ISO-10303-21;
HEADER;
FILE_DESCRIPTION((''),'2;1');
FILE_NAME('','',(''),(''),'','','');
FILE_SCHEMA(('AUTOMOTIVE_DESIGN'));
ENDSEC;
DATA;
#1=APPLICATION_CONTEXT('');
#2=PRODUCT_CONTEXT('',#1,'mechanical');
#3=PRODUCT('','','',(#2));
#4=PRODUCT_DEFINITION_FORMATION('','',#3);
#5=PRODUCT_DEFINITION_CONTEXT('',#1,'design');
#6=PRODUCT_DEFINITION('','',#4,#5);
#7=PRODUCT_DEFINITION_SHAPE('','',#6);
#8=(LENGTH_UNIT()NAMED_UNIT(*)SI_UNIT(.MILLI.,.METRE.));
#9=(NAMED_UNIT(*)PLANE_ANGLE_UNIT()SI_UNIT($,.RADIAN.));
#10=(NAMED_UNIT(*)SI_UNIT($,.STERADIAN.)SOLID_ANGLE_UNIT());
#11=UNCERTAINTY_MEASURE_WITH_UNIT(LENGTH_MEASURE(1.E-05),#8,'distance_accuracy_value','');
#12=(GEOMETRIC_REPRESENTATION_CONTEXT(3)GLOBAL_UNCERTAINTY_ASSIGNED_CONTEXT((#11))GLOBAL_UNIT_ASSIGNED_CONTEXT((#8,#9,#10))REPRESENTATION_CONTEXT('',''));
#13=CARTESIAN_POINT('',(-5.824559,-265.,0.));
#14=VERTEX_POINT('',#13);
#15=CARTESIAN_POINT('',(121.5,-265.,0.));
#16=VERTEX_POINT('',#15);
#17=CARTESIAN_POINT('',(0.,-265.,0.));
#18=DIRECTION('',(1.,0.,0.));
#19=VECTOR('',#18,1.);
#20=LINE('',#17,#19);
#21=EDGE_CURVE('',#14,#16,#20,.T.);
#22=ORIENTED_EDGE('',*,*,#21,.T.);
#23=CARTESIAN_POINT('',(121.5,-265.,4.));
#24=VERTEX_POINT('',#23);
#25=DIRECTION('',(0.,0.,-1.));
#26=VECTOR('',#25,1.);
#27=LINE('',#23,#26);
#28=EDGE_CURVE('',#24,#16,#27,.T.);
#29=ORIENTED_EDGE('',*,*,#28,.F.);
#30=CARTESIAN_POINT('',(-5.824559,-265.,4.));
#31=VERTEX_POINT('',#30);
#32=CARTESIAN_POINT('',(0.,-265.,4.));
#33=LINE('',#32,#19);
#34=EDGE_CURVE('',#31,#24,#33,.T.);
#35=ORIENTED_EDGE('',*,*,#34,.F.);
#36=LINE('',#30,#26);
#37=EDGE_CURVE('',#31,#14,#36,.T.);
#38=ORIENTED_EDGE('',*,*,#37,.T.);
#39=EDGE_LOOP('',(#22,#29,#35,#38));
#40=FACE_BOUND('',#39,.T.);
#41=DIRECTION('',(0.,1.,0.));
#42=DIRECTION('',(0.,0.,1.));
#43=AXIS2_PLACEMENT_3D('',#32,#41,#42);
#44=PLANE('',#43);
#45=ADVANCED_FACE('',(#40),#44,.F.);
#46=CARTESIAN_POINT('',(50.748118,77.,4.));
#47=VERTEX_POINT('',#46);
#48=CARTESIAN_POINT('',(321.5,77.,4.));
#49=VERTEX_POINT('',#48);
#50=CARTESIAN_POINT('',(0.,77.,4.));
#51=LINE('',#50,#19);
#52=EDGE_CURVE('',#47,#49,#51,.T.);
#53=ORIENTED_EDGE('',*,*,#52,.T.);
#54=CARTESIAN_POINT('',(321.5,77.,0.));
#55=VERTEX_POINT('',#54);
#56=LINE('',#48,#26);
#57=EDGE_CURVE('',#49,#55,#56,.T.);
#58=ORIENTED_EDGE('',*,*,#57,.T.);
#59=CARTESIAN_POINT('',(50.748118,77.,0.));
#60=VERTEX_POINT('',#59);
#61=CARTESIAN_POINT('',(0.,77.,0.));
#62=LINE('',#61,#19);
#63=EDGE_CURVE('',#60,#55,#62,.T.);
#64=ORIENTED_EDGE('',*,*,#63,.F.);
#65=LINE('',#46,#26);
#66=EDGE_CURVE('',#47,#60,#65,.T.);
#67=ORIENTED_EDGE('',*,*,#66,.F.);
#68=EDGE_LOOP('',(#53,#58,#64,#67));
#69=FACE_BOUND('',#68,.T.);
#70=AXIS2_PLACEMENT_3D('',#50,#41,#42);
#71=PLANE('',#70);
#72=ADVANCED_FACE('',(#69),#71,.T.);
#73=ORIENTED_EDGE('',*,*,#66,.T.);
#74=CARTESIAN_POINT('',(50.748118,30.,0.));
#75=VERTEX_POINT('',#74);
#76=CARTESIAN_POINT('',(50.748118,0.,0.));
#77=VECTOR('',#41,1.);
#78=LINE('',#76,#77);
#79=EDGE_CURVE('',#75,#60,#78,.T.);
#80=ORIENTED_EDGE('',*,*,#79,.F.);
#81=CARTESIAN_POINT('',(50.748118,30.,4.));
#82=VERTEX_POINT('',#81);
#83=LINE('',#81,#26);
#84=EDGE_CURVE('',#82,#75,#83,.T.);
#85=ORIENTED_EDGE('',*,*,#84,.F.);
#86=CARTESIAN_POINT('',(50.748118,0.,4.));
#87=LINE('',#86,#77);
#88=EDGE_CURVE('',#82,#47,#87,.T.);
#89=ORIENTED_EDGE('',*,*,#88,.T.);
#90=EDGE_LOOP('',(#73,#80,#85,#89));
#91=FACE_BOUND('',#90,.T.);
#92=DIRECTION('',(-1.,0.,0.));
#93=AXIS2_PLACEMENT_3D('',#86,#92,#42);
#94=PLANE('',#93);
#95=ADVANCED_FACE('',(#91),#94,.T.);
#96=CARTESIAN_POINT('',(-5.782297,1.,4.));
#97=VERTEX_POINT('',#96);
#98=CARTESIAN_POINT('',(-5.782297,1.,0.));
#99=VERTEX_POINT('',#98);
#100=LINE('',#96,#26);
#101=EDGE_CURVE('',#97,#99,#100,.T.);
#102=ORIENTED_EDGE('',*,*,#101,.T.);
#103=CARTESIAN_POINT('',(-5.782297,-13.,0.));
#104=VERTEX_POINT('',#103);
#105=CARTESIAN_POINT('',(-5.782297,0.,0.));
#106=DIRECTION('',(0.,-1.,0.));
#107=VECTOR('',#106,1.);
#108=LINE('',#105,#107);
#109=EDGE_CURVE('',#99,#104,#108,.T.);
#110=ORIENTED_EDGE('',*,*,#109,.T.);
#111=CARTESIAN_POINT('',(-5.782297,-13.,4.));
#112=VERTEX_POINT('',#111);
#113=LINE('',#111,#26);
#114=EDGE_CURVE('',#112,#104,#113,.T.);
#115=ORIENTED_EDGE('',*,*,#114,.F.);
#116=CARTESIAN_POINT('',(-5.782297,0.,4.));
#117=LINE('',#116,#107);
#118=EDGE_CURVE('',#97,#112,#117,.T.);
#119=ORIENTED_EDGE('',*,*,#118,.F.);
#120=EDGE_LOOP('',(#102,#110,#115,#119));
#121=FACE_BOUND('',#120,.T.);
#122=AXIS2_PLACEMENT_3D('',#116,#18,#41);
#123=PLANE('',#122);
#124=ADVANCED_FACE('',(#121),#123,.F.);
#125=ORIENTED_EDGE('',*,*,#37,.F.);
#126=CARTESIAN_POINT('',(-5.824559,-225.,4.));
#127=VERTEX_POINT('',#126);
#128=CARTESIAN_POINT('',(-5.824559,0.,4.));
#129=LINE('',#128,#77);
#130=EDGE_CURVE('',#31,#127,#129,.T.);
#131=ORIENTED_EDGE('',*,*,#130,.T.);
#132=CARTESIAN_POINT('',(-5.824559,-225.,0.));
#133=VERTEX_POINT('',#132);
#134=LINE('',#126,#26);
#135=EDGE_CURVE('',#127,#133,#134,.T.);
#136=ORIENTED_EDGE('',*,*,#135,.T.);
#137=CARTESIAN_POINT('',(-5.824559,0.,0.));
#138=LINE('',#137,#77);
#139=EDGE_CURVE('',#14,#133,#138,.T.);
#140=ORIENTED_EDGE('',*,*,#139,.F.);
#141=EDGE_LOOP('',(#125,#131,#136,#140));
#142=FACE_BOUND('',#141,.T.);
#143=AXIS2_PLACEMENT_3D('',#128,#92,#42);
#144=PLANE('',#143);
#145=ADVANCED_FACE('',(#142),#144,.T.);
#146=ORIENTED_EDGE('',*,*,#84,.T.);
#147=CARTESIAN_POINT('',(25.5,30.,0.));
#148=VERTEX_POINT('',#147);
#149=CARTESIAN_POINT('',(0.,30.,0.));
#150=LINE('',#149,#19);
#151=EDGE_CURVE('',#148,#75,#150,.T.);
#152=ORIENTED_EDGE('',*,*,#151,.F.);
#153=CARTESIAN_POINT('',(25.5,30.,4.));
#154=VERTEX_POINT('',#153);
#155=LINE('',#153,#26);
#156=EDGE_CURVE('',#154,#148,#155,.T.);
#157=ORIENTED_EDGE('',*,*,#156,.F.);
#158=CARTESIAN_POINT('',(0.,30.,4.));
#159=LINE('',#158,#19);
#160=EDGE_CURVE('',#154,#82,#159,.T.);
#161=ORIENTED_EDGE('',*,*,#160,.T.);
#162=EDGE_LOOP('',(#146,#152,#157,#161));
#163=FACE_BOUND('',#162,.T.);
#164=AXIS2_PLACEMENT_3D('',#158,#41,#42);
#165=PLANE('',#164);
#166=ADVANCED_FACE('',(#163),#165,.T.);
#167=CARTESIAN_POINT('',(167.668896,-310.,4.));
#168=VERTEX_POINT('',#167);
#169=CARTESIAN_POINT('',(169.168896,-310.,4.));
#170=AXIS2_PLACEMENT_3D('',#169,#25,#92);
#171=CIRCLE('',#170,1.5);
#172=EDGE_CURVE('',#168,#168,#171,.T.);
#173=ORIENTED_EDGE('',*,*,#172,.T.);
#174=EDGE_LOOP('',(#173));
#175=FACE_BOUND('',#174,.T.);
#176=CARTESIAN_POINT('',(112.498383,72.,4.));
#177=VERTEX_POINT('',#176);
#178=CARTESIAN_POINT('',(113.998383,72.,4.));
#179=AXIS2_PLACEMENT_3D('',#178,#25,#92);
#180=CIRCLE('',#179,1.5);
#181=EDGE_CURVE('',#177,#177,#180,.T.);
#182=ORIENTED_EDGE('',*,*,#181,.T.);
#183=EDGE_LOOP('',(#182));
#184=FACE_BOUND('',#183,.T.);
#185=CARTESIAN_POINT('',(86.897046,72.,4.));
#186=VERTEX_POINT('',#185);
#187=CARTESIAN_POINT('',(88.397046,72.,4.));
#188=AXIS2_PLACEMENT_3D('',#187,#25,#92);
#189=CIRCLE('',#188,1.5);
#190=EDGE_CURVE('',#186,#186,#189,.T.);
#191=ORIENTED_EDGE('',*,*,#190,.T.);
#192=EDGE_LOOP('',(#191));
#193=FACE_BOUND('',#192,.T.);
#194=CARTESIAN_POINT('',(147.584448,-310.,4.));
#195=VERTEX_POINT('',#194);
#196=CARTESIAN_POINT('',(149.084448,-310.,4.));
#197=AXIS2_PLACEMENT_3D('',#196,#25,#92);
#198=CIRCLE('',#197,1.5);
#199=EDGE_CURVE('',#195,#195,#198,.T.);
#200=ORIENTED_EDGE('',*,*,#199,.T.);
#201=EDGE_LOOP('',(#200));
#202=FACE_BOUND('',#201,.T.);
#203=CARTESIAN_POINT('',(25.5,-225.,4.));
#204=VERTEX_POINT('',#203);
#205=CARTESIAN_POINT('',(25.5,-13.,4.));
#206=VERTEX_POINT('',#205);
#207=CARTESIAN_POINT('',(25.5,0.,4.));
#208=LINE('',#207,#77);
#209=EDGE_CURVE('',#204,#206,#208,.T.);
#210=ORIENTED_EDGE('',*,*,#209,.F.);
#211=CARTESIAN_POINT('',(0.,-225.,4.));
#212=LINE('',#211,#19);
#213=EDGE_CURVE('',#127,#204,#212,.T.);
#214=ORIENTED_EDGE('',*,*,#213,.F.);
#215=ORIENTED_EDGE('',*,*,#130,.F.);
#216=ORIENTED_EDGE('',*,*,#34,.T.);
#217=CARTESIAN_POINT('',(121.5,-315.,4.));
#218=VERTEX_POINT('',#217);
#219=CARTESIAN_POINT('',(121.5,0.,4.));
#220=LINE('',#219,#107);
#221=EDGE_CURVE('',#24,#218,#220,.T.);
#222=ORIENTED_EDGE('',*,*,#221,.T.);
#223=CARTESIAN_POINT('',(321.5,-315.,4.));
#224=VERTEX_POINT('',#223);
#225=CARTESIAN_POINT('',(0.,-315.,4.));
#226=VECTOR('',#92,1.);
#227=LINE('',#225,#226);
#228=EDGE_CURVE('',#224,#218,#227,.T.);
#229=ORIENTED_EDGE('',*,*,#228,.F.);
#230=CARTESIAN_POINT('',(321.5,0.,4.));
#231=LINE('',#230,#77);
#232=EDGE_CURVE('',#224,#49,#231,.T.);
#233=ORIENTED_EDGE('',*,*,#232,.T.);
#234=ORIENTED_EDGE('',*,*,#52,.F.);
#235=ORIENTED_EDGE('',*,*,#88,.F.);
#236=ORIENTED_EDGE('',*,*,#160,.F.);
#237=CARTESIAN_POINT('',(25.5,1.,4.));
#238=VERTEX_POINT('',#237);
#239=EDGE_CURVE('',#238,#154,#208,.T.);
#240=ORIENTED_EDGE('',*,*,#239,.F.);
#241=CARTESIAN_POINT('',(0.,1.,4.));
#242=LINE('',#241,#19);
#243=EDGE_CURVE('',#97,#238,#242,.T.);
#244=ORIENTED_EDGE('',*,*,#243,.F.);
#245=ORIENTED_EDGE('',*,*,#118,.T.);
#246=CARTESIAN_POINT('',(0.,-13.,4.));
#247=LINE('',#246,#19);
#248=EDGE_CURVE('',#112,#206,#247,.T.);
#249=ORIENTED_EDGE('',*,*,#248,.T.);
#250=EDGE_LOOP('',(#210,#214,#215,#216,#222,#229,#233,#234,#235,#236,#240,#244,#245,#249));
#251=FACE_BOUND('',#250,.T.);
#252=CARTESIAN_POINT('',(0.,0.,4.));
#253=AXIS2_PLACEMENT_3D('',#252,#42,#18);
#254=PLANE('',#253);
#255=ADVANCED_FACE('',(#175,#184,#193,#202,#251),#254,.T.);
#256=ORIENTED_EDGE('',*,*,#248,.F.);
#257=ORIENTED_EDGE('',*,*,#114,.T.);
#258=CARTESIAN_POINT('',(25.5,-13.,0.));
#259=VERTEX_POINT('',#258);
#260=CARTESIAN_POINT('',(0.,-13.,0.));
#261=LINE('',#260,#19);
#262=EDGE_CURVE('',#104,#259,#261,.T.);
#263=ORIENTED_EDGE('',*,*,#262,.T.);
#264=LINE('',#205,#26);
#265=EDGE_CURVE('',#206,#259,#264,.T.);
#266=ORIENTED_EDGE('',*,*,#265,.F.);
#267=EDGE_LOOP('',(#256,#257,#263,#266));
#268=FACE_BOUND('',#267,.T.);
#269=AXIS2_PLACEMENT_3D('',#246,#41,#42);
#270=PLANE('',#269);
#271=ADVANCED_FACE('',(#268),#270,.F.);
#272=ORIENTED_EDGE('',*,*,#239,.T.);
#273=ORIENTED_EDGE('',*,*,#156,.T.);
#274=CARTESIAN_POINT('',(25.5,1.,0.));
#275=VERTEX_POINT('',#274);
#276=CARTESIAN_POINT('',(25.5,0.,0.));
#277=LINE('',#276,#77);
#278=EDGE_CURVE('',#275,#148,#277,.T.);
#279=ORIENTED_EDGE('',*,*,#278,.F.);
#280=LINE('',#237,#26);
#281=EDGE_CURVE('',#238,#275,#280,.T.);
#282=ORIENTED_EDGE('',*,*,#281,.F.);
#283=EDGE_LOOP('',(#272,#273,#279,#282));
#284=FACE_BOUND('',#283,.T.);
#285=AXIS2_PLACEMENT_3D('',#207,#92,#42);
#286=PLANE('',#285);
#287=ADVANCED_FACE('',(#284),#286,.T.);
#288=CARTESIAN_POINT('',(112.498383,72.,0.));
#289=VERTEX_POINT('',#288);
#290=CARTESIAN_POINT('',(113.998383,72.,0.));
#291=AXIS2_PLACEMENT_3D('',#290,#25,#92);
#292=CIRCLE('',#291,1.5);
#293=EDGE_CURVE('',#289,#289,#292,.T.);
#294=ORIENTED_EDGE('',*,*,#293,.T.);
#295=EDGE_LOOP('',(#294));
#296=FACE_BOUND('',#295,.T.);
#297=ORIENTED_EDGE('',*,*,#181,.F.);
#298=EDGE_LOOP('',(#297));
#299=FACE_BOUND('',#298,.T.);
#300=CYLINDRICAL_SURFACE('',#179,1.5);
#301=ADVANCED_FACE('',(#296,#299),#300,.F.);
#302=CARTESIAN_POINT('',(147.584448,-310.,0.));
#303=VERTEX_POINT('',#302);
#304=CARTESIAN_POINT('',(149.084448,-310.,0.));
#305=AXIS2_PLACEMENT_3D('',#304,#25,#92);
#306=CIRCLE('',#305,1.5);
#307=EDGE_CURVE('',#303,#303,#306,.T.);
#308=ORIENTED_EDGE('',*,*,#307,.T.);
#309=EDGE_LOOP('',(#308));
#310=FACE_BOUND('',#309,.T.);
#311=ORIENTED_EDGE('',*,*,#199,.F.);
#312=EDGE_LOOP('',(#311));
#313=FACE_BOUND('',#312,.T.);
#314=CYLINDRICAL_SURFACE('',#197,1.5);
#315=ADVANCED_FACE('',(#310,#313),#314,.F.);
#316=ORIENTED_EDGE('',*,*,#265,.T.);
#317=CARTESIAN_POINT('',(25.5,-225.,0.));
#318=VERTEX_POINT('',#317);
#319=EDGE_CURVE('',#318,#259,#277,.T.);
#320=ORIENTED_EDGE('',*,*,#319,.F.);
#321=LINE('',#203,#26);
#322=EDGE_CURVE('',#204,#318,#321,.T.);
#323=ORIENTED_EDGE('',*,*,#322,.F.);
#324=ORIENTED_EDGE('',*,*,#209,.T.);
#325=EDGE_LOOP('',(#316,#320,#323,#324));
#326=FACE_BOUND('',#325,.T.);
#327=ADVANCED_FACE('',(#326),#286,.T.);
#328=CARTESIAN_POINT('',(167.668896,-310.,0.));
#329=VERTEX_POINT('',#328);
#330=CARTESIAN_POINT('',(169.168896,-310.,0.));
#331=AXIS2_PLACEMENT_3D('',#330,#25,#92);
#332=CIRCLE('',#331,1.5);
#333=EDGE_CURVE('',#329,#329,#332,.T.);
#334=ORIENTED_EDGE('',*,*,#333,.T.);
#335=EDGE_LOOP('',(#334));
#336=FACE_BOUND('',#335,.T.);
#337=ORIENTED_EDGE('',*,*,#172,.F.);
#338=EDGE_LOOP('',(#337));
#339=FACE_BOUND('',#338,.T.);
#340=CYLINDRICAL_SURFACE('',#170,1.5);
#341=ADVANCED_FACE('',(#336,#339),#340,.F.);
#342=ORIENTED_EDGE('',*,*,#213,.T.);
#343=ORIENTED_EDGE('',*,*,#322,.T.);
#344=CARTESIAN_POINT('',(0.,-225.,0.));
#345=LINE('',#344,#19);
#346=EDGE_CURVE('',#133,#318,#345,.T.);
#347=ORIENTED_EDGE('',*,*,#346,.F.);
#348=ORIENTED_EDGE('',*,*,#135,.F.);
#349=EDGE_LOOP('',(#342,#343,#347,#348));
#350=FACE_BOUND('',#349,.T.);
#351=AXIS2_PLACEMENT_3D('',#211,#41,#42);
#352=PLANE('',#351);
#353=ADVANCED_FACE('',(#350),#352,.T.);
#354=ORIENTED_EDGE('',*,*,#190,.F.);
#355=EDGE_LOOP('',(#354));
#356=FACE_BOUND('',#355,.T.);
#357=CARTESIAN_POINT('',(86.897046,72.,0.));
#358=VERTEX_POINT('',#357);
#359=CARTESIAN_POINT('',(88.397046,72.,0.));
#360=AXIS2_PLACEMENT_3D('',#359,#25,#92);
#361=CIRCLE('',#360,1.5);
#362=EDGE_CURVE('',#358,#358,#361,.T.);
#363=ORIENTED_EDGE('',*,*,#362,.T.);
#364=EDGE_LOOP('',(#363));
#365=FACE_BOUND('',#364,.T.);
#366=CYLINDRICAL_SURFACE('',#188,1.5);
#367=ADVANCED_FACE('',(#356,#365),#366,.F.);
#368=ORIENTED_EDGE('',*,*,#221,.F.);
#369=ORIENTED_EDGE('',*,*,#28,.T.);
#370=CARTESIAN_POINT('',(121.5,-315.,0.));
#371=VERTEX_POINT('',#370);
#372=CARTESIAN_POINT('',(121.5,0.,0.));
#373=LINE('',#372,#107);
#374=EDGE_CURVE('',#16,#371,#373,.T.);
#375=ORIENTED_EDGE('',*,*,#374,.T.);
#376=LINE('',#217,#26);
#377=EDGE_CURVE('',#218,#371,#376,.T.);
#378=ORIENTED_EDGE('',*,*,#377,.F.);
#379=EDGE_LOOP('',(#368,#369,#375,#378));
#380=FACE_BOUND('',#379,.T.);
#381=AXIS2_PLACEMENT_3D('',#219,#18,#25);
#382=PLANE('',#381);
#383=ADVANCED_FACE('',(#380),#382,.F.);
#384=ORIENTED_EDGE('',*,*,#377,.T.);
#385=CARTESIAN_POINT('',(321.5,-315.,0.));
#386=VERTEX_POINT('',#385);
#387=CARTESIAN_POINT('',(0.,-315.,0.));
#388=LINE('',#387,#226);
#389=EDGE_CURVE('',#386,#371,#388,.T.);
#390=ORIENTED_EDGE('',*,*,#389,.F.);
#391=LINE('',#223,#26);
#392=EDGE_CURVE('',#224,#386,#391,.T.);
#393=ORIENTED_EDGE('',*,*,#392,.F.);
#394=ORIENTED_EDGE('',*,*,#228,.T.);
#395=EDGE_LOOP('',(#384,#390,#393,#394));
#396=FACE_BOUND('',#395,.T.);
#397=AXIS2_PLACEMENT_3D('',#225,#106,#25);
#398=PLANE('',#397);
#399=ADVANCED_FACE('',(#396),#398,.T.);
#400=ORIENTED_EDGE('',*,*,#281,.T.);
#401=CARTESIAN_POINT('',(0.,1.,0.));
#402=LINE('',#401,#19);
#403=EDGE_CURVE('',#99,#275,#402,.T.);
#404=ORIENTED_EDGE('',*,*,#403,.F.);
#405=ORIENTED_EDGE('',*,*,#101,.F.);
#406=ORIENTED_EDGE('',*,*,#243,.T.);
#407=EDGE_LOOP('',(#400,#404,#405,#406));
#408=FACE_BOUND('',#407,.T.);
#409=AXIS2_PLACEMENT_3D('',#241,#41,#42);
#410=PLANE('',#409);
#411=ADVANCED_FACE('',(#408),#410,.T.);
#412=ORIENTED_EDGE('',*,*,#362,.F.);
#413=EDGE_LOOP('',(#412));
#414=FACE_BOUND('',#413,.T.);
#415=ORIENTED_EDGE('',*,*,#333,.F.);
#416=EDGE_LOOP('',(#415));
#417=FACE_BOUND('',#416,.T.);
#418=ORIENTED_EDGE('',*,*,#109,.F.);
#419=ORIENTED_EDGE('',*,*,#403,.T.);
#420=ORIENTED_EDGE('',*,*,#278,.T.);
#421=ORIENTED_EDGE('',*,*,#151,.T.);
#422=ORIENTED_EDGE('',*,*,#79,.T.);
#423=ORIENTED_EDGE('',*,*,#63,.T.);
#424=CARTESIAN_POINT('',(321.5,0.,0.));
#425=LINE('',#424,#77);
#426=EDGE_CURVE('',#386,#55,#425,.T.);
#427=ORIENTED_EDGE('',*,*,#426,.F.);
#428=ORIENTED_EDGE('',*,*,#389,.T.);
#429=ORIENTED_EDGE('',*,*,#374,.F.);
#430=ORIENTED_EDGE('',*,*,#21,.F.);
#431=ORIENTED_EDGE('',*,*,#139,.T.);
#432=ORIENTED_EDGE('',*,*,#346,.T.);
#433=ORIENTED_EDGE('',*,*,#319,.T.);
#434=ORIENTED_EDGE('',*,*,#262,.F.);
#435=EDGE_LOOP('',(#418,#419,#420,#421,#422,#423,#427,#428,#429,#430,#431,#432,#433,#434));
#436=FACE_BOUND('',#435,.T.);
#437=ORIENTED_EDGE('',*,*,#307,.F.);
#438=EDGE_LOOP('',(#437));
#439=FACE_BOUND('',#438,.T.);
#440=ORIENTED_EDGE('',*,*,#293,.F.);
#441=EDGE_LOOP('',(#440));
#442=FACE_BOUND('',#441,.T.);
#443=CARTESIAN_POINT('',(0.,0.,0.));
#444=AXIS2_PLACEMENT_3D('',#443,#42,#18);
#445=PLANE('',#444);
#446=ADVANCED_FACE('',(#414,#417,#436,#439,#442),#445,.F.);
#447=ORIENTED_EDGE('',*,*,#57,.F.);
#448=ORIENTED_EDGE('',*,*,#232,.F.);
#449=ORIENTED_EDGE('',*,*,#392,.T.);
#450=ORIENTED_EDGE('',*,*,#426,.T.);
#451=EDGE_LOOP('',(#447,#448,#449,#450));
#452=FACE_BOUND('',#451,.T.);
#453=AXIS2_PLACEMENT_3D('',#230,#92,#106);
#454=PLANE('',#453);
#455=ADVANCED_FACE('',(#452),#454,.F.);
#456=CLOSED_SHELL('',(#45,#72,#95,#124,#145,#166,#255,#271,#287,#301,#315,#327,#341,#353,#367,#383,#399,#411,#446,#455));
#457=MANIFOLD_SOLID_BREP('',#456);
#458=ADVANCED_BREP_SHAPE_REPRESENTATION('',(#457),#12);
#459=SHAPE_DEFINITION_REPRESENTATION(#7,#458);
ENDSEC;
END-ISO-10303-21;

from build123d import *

# Parameters (mm, degrees)
SKETCH1_W           = 31.282297403
SKETCH1_H           = 14
SKETCH1_W_2         = 31.32455923
SKETCH1_H_2         = 40
SKETCH1_W_3         = 270.751882141
SKETCH1_H_3         = 47
SKETCH1_W_4         = 200
SKETCH1_H_4         = 50
BOSS_EXTRUDE1_DEPTH = 4
SKETCH2_R           = 1.5
CUT_EXTRUDE1_DEPTH  = 451.114707602


with BuildPart() as part:
    # Sketch1 → Boss-Extrude1 (new body)
    with BuildSketch(Plane.XY):
        Polygon((25.5, 1), (25.5, -13), (25.5, -225), (25.5, -265), (65.632913627, -265), (121.5, -265), (321.5, -265), (321.5, 30), (50.748117859, 30), (25.5, 30), align=None)
        with Locations((9.858851298, -6)):
            Rectangle(SKETCH1_W, SKETCH1_H)
        with Locations((9.837720385, -245)):
            Rectangle(SKETCH1_W_2, SKETCH1_H_2)
        with Locations((186.124058929, 53.5)):
            Rectangle(SKETCH1_W_3, SKETCH1_H_3)
        with Locations((221.5, -290)):
            Rectangle(SKETCH1_W_4, SKETCH1_H_4)
    extrude(amount=BOSS_EXTRUDE1_DEPTH)

    # Sketch2 → Cut-Extrude1 (cut, through all)
    with BuildSketch(Plane(origin=(0, 0, 0), x_dir=(-1, 0, 0), z_dir=(0, 0, -1))):
        with Locations((-113.998383462, 72)):
            Circle(SKETCH2_R)
        with Locations((-88.397045893, 72)):
            Circle(SKETCH2_R)
        with Locations((-169.168895948, -310)):
            Circle(SKETCH2_R)
        with Locations((-149.084447974, -310)):
            Circle(SKETCH2_R)
    extrude(amount=-CUT_EXTRUDE1_DEPTH, mode=Mode.SUBTRACT)


solid = part.part
